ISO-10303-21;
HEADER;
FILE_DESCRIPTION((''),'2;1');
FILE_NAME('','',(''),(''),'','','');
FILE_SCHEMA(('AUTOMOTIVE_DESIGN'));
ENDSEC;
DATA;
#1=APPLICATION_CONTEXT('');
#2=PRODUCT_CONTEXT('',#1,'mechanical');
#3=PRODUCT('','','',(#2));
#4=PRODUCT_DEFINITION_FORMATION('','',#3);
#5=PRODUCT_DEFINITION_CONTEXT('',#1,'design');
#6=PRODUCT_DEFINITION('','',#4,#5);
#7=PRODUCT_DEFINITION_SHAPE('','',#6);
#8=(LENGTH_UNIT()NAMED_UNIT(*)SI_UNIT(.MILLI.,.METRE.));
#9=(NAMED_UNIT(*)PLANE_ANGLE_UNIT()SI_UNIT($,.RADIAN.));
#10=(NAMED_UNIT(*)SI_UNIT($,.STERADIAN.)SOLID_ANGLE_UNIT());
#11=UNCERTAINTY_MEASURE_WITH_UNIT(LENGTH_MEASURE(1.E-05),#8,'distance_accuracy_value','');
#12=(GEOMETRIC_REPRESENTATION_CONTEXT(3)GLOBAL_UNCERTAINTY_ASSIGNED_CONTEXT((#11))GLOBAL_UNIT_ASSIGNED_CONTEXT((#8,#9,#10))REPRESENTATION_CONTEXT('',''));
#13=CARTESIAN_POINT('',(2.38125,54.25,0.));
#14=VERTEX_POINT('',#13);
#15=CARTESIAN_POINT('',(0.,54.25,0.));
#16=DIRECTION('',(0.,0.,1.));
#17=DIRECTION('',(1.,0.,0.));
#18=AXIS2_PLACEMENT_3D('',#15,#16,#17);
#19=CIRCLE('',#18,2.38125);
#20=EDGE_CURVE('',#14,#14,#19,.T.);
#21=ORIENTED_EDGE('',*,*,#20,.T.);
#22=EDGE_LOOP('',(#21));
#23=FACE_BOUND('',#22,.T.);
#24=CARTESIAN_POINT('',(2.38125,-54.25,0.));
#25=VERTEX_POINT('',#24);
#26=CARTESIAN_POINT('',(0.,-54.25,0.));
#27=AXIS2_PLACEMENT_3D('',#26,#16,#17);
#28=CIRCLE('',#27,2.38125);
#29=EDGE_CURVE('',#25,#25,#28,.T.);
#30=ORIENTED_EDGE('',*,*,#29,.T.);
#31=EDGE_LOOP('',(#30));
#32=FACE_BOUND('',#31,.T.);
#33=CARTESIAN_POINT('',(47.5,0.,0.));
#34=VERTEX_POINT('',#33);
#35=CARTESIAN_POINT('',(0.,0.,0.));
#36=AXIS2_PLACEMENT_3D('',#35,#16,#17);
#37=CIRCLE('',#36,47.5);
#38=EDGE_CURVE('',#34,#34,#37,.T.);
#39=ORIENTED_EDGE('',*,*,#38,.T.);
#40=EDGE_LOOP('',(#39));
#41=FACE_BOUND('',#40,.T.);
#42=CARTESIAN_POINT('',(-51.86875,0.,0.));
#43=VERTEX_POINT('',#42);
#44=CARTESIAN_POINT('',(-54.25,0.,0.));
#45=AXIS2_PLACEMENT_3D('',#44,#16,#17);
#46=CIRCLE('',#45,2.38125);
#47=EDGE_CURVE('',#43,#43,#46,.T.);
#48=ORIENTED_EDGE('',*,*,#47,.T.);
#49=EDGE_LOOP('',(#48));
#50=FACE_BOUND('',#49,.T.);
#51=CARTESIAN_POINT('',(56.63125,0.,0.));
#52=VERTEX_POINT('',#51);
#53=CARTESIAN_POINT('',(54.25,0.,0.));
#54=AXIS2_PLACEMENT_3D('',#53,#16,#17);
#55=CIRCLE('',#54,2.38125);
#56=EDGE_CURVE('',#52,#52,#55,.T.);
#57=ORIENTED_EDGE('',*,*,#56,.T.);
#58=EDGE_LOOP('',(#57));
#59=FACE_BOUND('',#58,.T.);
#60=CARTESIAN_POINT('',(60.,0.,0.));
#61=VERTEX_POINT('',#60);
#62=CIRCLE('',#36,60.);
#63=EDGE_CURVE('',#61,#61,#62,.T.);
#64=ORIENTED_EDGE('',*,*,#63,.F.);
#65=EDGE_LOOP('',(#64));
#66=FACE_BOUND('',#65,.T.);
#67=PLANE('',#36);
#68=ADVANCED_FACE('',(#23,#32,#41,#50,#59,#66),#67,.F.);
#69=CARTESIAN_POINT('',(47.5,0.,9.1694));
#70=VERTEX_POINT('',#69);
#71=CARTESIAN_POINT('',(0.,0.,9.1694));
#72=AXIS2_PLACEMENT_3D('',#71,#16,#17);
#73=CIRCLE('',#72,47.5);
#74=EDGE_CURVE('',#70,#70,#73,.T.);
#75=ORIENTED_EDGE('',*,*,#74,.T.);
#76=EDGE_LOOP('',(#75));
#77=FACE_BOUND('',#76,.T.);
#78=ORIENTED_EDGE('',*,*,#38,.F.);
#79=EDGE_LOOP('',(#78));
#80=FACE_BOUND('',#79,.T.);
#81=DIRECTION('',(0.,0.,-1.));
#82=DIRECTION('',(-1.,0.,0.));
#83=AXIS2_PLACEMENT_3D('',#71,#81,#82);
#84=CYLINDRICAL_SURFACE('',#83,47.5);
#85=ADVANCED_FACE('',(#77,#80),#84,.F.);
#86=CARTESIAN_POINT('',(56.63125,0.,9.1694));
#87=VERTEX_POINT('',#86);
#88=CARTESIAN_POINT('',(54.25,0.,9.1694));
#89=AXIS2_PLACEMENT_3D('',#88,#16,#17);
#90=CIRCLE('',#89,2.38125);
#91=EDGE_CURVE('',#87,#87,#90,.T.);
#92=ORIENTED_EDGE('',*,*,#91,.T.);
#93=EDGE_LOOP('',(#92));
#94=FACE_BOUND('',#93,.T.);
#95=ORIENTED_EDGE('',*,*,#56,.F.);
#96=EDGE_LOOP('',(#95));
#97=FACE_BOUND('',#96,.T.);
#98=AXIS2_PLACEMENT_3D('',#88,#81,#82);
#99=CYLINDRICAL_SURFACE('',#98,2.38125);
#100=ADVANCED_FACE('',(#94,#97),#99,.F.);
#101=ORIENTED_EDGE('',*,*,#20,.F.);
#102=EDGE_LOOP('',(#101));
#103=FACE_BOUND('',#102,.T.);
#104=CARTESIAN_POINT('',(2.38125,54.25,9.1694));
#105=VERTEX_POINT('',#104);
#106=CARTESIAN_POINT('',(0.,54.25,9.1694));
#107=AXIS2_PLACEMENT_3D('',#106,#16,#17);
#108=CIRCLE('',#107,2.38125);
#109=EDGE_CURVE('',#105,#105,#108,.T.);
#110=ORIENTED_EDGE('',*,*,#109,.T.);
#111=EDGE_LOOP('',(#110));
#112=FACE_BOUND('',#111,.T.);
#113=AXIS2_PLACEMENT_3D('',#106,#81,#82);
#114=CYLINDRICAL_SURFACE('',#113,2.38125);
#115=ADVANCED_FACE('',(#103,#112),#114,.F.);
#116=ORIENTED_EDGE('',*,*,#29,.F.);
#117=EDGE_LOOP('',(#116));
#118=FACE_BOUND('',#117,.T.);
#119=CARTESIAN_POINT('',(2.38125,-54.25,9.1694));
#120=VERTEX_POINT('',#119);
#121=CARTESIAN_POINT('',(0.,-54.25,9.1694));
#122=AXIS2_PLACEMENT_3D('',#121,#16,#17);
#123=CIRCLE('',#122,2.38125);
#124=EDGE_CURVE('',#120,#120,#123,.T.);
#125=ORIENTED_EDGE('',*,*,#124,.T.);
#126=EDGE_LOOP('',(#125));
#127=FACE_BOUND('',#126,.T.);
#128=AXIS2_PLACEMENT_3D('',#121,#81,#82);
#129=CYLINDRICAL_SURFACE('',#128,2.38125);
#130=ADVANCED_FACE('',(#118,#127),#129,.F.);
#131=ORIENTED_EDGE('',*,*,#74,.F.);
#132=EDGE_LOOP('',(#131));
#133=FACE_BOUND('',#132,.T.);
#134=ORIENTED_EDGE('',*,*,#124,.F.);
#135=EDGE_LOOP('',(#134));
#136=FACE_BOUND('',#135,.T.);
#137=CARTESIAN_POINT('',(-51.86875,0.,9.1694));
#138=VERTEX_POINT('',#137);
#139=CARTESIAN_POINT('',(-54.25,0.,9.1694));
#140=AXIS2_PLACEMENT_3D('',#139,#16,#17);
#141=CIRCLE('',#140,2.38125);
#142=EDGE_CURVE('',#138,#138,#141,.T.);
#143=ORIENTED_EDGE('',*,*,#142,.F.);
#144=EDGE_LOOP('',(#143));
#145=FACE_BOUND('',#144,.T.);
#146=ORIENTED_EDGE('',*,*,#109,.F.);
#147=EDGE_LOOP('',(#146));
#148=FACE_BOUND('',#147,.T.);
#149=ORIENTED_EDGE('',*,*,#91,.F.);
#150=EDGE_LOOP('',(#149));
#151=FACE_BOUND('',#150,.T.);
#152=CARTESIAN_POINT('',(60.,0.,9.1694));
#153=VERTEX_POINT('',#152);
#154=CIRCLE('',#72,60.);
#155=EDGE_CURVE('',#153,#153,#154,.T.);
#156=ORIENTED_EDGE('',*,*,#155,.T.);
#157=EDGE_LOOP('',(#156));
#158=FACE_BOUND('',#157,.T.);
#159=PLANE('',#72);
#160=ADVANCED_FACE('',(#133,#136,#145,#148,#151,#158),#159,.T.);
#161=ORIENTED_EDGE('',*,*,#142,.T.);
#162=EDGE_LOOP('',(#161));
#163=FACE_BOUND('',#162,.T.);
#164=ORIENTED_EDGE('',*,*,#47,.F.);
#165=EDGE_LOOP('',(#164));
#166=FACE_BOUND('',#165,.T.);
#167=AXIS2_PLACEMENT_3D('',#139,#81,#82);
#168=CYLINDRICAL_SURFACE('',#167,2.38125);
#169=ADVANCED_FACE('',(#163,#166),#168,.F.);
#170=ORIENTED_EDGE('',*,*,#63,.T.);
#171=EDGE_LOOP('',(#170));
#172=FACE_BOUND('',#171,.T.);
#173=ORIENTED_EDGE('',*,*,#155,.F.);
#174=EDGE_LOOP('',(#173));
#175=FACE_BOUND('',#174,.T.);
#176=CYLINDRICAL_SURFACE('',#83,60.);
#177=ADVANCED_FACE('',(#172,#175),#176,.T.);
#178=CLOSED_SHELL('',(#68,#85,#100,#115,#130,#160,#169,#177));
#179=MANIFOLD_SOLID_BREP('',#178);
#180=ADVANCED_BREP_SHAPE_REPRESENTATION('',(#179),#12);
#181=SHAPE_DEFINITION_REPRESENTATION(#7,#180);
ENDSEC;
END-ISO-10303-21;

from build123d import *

# Parameters (mm, degrees)
SKETCH1_R           = 60
SKETCH1_R_2         = 47.5
SKETCH1_R_3         = 2.38125
BOSS_EXTRUDE1_DEPTH = 9.1694


with BuildPart() as part:
    # Sketch1 → Boss-Extrude1 (new body)
    with BuildSketch(Plane.XY):
        Circle(SKETCH1_R)
        Circle(SKETCH1_R_2, mode=Mode.SUBTRACT)
        with Locations((0, 54.25)):
            Circle(SKETCH1_R_3, mode=Mode.SUBTRACT)
        with Locations((54.25, 0)):
            Circle(SKETCH1_R_3, mode=Mode.SUBTRACT)
        with Locations((0, -54.25)):
            Circle(SKETCH1_R_3, mode=Mode.SUBTRACT)
        with Locations((-54.25, 0)):
            Circle(SKETCH1_R_3, mode=Mode.SUBTRACT)
    extrude(amount=BOSS_EXTRUDE1_DEPTH)


solid = part.part
